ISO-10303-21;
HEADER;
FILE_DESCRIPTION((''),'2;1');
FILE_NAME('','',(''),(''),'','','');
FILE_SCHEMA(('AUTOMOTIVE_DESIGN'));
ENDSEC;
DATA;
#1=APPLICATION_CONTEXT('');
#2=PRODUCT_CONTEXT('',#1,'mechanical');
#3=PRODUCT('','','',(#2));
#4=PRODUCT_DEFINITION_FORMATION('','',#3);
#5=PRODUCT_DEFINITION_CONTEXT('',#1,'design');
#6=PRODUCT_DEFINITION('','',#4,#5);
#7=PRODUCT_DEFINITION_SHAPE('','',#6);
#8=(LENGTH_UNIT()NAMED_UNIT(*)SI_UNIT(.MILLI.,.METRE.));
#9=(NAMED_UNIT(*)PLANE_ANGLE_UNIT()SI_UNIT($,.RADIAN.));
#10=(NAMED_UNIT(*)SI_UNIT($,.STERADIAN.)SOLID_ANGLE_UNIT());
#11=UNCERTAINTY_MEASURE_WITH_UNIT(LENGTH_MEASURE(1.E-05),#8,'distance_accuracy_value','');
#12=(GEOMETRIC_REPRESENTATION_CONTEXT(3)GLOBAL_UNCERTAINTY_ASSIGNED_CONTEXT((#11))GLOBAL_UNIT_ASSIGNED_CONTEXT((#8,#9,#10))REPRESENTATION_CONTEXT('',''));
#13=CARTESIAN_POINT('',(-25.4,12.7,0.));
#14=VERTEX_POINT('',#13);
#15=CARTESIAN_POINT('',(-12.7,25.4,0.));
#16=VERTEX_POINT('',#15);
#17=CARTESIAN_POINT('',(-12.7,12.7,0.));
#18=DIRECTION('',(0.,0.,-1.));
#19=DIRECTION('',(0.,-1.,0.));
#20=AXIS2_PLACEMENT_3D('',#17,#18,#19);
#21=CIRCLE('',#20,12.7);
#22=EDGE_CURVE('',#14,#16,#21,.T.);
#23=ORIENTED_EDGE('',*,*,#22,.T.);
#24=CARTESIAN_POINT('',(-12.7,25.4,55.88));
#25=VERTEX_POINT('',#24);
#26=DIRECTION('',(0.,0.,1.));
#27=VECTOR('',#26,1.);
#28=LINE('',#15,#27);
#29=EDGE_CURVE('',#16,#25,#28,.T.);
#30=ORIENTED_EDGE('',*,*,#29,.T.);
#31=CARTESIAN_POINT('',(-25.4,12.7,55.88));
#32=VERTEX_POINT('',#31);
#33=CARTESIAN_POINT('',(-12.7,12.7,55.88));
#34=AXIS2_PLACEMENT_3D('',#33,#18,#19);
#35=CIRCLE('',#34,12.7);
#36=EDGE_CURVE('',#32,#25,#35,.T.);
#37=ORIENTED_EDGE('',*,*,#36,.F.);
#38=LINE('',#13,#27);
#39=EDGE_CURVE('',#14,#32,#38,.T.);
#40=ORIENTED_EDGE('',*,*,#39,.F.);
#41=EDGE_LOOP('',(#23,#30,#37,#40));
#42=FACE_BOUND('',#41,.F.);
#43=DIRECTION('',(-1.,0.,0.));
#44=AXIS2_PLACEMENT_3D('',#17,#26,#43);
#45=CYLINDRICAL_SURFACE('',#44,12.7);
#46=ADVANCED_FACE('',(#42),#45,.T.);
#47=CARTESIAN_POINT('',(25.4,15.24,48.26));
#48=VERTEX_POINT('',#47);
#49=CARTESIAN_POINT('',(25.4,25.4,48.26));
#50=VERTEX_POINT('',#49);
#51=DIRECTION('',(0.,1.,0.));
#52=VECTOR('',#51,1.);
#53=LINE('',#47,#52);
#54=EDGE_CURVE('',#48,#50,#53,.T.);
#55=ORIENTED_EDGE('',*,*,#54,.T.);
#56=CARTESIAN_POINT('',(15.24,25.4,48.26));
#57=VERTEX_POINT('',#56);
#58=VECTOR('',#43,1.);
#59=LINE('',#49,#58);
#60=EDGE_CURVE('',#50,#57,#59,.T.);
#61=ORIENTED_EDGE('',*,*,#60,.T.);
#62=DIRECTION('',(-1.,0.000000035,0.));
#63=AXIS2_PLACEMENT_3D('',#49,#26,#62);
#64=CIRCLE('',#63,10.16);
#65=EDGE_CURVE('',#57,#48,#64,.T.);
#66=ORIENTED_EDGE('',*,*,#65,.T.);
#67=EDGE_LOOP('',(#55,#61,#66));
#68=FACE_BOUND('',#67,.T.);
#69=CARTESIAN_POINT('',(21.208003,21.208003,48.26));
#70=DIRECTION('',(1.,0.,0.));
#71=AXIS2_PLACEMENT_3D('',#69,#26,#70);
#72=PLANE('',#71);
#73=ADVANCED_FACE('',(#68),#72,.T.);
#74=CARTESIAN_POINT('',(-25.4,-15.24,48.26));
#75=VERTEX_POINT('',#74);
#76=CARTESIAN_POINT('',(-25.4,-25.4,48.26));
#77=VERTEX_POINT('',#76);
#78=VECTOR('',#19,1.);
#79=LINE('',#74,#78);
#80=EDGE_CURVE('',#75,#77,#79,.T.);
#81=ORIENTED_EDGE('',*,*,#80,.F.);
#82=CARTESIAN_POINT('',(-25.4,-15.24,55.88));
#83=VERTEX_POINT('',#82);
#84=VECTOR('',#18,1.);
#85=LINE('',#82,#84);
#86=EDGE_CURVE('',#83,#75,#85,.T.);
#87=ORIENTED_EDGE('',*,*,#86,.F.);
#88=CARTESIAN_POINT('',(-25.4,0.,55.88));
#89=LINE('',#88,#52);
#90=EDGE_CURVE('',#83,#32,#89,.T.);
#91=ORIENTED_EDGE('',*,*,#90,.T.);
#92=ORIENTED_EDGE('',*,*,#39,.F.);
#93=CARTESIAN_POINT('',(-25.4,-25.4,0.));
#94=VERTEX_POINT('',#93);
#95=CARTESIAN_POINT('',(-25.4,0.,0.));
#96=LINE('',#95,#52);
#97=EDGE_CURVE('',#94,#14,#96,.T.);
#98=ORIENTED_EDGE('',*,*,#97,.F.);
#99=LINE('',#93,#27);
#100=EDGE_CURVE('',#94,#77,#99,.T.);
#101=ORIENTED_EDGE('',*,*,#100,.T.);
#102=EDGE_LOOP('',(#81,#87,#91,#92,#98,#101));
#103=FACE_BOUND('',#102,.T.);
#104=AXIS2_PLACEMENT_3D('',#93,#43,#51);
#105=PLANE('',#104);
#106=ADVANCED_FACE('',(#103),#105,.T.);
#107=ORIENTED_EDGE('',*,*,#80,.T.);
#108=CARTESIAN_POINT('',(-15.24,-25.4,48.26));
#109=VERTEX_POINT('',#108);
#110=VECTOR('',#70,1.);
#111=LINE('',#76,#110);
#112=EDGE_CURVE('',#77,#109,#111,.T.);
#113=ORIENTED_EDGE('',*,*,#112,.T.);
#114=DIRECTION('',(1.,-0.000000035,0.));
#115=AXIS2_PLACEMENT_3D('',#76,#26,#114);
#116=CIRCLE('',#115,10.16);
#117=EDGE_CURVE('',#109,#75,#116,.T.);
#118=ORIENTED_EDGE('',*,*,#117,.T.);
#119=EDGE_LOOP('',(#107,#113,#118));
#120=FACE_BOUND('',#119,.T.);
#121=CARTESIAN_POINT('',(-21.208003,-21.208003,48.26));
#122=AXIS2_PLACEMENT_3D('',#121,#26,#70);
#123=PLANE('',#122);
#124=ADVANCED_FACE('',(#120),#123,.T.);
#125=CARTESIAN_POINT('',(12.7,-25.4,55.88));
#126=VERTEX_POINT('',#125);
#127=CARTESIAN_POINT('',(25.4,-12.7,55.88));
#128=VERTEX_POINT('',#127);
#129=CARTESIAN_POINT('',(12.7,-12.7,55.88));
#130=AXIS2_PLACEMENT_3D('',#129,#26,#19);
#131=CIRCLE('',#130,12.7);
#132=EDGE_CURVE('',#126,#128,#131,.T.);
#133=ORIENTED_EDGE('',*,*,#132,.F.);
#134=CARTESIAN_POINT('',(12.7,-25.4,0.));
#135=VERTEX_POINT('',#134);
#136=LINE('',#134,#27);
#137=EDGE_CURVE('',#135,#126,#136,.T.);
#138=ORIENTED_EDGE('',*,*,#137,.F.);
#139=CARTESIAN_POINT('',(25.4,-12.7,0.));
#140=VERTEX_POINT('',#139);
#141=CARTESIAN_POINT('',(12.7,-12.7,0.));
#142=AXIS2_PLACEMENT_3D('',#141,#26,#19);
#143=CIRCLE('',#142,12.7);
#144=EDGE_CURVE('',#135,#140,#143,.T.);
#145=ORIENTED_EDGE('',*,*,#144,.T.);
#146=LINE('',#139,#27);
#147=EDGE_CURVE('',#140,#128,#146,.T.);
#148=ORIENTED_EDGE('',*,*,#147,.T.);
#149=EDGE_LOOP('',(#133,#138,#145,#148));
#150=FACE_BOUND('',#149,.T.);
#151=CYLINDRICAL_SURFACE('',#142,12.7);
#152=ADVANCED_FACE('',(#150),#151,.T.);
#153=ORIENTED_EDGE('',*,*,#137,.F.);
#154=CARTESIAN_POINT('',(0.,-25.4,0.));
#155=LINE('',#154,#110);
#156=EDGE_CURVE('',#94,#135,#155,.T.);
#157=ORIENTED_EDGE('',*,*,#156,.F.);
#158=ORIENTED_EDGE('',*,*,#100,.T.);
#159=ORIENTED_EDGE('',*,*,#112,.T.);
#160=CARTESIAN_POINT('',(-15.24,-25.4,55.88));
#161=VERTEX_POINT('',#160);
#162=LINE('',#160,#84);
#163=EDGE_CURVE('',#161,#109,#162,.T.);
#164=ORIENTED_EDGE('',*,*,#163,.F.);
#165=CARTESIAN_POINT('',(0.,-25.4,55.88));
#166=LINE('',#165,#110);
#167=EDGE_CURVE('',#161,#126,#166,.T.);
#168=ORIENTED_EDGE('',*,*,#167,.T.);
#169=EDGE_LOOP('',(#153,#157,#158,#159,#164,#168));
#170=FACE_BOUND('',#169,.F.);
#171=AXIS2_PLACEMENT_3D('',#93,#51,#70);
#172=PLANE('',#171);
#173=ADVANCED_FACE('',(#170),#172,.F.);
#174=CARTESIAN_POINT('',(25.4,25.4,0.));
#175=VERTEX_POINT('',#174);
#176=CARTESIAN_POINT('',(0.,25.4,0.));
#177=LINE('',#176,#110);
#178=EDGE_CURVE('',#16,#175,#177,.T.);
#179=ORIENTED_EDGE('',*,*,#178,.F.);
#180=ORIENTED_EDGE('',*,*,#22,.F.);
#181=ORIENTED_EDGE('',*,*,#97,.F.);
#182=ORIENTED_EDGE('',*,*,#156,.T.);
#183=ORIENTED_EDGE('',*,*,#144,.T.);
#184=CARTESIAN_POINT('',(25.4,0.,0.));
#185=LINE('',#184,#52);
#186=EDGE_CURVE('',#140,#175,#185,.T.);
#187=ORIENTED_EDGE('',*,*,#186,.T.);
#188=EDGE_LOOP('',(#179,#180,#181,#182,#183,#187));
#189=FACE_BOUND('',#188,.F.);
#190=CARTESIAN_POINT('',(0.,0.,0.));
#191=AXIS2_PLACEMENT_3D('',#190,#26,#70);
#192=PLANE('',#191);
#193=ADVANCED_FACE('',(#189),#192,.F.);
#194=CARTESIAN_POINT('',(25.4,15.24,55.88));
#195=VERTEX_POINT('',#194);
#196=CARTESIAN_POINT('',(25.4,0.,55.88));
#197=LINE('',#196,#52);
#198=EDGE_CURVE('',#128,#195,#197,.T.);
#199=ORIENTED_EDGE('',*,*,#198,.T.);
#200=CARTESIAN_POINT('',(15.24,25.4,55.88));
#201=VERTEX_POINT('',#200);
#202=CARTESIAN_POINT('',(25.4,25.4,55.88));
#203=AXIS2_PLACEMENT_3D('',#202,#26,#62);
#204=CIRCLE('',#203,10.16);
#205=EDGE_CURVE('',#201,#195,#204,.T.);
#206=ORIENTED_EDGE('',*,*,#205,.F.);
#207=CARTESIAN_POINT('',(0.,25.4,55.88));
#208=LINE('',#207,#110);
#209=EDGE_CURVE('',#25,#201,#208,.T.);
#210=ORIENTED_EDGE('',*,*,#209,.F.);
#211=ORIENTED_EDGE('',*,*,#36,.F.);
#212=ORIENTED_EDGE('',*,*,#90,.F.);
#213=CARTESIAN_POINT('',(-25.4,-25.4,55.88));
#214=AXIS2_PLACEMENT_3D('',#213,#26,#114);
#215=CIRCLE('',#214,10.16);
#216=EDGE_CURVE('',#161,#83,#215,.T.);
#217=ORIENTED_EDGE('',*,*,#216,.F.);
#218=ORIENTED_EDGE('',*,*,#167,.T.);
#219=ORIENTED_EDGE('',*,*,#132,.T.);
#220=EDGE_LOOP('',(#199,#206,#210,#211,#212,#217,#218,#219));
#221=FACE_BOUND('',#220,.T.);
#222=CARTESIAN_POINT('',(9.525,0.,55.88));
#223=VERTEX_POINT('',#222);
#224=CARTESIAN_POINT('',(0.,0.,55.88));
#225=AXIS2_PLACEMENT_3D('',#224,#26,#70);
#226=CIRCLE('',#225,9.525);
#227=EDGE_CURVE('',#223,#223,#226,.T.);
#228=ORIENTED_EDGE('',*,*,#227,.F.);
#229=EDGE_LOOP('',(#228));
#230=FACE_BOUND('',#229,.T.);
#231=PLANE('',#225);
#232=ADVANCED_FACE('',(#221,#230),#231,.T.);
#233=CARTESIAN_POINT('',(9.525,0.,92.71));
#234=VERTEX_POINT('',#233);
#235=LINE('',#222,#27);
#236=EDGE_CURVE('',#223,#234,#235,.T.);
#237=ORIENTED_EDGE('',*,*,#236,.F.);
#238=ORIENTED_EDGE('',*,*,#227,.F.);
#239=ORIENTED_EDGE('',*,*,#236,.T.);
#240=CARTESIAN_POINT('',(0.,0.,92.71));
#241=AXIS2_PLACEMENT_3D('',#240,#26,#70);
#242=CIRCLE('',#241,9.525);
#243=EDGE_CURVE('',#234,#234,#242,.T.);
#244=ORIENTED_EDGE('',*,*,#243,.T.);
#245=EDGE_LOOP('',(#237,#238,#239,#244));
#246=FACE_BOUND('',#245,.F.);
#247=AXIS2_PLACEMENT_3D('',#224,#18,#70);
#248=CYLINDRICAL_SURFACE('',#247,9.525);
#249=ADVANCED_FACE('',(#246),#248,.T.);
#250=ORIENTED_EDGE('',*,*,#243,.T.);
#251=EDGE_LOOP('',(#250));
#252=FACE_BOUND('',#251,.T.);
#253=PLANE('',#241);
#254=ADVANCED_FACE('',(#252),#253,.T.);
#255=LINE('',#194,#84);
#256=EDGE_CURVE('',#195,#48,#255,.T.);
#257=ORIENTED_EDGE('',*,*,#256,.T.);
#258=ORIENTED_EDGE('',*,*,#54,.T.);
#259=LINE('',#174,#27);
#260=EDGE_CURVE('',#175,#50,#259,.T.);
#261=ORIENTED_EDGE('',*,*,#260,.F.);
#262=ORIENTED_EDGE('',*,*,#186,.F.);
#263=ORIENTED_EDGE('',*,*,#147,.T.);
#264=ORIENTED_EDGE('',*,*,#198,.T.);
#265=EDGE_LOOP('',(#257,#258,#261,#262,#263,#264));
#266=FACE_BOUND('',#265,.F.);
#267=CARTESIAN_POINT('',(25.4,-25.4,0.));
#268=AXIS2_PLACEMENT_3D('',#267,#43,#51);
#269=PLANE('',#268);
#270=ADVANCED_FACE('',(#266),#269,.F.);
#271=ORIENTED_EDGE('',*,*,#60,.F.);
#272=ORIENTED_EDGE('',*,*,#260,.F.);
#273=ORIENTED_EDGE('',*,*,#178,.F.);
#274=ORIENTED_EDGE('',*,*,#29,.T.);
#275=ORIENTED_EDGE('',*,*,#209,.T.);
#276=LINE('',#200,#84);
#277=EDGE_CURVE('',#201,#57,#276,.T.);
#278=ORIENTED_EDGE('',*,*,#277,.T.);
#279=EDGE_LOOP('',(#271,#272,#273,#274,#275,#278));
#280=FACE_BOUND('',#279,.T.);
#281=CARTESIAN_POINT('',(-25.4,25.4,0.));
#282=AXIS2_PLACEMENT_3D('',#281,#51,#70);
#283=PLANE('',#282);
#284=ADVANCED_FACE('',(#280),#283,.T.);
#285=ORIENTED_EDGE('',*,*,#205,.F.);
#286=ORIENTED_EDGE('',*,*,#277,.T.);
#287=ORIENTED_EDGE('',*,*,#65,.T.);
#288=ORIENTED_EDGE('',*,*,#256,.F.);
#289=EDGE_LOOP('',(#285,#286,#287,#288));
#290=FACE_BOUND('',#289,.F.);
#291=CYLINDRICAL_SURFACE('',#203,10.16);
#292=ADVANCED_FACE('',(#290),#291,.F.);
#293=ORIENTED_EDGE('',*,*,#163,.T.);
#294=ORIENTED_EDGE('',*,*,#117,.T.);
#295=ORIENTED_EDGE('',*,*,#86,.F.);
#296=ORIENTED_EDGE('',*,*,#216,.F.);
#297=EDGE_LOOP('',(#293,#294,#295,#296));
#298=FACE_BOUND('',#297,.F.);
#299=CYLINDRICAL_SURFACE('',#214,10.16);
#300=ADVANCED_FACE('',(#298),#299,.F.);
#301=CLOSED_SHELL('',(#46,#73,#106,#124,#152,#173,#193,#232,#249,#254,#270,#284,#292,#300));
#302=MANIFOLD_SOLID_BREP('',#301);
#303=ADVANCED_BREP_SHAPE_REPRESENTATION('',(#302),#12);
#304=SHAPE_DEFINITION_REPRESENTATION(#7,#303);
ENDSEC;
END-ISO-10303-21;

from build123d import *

# Parameters (mm, degrees)
F0_W     = 50.8
F0_H     = 50.8
F1_DEPTH = 55.88
F2_R     = 12.7
F4_DEPTH = 7.62
F5_R     = 9.525
F6_DEPTH = 36.83


with BuildPart() as f1:
    # F0 (on Top) → F1 (new body)
    with BuildSketch(Plane.XY):
        Rectangle(F0_W, F0_H)
    extrude(amount=F1_DEPTH)

    # F2
    f2_edges = [f1.edges().sort_by_distance(p)[0] for p in [
        (-25.4, 25.4, 27.94),
        (25.4, -25.4, 27.94),
    ]]
    fillet(f2_edges, radius=F2_R)

    # F3 (on face) → F4 (cut)
    with BuildSketch(Plane.XY.offset(55.88)):
        with BuildLine():
            Line((25.4, 25.4), (15.24, 25.4))
            ThreePointArc((15.24, 25.4), (18.215795, 18.215795), (25.4, 15.24))
            Line((25.4, 15.24), (25.4, 25.4))
        make_face()
        with BuildLine():
            ThreePointArc((-15.24, -25.4), (-18.215795, -18.215795), (-25.4, -15.24))
            Line((-25.4, -15.24), (-25.4, -25.4))
            Line((-25.4, -25.4), (-15.24, -25.4))
        make_face()
    extrude(amount=-F4_DEPTH, mode=Mode.SUBTRACT)

    # F5 (on face) → F6 (join)
    with BuildSketch(Plane.XY.offset(55.88)):
        Circle(F5_R)
    extrude(amount=F6_DEPTH)


solid = f1.part
